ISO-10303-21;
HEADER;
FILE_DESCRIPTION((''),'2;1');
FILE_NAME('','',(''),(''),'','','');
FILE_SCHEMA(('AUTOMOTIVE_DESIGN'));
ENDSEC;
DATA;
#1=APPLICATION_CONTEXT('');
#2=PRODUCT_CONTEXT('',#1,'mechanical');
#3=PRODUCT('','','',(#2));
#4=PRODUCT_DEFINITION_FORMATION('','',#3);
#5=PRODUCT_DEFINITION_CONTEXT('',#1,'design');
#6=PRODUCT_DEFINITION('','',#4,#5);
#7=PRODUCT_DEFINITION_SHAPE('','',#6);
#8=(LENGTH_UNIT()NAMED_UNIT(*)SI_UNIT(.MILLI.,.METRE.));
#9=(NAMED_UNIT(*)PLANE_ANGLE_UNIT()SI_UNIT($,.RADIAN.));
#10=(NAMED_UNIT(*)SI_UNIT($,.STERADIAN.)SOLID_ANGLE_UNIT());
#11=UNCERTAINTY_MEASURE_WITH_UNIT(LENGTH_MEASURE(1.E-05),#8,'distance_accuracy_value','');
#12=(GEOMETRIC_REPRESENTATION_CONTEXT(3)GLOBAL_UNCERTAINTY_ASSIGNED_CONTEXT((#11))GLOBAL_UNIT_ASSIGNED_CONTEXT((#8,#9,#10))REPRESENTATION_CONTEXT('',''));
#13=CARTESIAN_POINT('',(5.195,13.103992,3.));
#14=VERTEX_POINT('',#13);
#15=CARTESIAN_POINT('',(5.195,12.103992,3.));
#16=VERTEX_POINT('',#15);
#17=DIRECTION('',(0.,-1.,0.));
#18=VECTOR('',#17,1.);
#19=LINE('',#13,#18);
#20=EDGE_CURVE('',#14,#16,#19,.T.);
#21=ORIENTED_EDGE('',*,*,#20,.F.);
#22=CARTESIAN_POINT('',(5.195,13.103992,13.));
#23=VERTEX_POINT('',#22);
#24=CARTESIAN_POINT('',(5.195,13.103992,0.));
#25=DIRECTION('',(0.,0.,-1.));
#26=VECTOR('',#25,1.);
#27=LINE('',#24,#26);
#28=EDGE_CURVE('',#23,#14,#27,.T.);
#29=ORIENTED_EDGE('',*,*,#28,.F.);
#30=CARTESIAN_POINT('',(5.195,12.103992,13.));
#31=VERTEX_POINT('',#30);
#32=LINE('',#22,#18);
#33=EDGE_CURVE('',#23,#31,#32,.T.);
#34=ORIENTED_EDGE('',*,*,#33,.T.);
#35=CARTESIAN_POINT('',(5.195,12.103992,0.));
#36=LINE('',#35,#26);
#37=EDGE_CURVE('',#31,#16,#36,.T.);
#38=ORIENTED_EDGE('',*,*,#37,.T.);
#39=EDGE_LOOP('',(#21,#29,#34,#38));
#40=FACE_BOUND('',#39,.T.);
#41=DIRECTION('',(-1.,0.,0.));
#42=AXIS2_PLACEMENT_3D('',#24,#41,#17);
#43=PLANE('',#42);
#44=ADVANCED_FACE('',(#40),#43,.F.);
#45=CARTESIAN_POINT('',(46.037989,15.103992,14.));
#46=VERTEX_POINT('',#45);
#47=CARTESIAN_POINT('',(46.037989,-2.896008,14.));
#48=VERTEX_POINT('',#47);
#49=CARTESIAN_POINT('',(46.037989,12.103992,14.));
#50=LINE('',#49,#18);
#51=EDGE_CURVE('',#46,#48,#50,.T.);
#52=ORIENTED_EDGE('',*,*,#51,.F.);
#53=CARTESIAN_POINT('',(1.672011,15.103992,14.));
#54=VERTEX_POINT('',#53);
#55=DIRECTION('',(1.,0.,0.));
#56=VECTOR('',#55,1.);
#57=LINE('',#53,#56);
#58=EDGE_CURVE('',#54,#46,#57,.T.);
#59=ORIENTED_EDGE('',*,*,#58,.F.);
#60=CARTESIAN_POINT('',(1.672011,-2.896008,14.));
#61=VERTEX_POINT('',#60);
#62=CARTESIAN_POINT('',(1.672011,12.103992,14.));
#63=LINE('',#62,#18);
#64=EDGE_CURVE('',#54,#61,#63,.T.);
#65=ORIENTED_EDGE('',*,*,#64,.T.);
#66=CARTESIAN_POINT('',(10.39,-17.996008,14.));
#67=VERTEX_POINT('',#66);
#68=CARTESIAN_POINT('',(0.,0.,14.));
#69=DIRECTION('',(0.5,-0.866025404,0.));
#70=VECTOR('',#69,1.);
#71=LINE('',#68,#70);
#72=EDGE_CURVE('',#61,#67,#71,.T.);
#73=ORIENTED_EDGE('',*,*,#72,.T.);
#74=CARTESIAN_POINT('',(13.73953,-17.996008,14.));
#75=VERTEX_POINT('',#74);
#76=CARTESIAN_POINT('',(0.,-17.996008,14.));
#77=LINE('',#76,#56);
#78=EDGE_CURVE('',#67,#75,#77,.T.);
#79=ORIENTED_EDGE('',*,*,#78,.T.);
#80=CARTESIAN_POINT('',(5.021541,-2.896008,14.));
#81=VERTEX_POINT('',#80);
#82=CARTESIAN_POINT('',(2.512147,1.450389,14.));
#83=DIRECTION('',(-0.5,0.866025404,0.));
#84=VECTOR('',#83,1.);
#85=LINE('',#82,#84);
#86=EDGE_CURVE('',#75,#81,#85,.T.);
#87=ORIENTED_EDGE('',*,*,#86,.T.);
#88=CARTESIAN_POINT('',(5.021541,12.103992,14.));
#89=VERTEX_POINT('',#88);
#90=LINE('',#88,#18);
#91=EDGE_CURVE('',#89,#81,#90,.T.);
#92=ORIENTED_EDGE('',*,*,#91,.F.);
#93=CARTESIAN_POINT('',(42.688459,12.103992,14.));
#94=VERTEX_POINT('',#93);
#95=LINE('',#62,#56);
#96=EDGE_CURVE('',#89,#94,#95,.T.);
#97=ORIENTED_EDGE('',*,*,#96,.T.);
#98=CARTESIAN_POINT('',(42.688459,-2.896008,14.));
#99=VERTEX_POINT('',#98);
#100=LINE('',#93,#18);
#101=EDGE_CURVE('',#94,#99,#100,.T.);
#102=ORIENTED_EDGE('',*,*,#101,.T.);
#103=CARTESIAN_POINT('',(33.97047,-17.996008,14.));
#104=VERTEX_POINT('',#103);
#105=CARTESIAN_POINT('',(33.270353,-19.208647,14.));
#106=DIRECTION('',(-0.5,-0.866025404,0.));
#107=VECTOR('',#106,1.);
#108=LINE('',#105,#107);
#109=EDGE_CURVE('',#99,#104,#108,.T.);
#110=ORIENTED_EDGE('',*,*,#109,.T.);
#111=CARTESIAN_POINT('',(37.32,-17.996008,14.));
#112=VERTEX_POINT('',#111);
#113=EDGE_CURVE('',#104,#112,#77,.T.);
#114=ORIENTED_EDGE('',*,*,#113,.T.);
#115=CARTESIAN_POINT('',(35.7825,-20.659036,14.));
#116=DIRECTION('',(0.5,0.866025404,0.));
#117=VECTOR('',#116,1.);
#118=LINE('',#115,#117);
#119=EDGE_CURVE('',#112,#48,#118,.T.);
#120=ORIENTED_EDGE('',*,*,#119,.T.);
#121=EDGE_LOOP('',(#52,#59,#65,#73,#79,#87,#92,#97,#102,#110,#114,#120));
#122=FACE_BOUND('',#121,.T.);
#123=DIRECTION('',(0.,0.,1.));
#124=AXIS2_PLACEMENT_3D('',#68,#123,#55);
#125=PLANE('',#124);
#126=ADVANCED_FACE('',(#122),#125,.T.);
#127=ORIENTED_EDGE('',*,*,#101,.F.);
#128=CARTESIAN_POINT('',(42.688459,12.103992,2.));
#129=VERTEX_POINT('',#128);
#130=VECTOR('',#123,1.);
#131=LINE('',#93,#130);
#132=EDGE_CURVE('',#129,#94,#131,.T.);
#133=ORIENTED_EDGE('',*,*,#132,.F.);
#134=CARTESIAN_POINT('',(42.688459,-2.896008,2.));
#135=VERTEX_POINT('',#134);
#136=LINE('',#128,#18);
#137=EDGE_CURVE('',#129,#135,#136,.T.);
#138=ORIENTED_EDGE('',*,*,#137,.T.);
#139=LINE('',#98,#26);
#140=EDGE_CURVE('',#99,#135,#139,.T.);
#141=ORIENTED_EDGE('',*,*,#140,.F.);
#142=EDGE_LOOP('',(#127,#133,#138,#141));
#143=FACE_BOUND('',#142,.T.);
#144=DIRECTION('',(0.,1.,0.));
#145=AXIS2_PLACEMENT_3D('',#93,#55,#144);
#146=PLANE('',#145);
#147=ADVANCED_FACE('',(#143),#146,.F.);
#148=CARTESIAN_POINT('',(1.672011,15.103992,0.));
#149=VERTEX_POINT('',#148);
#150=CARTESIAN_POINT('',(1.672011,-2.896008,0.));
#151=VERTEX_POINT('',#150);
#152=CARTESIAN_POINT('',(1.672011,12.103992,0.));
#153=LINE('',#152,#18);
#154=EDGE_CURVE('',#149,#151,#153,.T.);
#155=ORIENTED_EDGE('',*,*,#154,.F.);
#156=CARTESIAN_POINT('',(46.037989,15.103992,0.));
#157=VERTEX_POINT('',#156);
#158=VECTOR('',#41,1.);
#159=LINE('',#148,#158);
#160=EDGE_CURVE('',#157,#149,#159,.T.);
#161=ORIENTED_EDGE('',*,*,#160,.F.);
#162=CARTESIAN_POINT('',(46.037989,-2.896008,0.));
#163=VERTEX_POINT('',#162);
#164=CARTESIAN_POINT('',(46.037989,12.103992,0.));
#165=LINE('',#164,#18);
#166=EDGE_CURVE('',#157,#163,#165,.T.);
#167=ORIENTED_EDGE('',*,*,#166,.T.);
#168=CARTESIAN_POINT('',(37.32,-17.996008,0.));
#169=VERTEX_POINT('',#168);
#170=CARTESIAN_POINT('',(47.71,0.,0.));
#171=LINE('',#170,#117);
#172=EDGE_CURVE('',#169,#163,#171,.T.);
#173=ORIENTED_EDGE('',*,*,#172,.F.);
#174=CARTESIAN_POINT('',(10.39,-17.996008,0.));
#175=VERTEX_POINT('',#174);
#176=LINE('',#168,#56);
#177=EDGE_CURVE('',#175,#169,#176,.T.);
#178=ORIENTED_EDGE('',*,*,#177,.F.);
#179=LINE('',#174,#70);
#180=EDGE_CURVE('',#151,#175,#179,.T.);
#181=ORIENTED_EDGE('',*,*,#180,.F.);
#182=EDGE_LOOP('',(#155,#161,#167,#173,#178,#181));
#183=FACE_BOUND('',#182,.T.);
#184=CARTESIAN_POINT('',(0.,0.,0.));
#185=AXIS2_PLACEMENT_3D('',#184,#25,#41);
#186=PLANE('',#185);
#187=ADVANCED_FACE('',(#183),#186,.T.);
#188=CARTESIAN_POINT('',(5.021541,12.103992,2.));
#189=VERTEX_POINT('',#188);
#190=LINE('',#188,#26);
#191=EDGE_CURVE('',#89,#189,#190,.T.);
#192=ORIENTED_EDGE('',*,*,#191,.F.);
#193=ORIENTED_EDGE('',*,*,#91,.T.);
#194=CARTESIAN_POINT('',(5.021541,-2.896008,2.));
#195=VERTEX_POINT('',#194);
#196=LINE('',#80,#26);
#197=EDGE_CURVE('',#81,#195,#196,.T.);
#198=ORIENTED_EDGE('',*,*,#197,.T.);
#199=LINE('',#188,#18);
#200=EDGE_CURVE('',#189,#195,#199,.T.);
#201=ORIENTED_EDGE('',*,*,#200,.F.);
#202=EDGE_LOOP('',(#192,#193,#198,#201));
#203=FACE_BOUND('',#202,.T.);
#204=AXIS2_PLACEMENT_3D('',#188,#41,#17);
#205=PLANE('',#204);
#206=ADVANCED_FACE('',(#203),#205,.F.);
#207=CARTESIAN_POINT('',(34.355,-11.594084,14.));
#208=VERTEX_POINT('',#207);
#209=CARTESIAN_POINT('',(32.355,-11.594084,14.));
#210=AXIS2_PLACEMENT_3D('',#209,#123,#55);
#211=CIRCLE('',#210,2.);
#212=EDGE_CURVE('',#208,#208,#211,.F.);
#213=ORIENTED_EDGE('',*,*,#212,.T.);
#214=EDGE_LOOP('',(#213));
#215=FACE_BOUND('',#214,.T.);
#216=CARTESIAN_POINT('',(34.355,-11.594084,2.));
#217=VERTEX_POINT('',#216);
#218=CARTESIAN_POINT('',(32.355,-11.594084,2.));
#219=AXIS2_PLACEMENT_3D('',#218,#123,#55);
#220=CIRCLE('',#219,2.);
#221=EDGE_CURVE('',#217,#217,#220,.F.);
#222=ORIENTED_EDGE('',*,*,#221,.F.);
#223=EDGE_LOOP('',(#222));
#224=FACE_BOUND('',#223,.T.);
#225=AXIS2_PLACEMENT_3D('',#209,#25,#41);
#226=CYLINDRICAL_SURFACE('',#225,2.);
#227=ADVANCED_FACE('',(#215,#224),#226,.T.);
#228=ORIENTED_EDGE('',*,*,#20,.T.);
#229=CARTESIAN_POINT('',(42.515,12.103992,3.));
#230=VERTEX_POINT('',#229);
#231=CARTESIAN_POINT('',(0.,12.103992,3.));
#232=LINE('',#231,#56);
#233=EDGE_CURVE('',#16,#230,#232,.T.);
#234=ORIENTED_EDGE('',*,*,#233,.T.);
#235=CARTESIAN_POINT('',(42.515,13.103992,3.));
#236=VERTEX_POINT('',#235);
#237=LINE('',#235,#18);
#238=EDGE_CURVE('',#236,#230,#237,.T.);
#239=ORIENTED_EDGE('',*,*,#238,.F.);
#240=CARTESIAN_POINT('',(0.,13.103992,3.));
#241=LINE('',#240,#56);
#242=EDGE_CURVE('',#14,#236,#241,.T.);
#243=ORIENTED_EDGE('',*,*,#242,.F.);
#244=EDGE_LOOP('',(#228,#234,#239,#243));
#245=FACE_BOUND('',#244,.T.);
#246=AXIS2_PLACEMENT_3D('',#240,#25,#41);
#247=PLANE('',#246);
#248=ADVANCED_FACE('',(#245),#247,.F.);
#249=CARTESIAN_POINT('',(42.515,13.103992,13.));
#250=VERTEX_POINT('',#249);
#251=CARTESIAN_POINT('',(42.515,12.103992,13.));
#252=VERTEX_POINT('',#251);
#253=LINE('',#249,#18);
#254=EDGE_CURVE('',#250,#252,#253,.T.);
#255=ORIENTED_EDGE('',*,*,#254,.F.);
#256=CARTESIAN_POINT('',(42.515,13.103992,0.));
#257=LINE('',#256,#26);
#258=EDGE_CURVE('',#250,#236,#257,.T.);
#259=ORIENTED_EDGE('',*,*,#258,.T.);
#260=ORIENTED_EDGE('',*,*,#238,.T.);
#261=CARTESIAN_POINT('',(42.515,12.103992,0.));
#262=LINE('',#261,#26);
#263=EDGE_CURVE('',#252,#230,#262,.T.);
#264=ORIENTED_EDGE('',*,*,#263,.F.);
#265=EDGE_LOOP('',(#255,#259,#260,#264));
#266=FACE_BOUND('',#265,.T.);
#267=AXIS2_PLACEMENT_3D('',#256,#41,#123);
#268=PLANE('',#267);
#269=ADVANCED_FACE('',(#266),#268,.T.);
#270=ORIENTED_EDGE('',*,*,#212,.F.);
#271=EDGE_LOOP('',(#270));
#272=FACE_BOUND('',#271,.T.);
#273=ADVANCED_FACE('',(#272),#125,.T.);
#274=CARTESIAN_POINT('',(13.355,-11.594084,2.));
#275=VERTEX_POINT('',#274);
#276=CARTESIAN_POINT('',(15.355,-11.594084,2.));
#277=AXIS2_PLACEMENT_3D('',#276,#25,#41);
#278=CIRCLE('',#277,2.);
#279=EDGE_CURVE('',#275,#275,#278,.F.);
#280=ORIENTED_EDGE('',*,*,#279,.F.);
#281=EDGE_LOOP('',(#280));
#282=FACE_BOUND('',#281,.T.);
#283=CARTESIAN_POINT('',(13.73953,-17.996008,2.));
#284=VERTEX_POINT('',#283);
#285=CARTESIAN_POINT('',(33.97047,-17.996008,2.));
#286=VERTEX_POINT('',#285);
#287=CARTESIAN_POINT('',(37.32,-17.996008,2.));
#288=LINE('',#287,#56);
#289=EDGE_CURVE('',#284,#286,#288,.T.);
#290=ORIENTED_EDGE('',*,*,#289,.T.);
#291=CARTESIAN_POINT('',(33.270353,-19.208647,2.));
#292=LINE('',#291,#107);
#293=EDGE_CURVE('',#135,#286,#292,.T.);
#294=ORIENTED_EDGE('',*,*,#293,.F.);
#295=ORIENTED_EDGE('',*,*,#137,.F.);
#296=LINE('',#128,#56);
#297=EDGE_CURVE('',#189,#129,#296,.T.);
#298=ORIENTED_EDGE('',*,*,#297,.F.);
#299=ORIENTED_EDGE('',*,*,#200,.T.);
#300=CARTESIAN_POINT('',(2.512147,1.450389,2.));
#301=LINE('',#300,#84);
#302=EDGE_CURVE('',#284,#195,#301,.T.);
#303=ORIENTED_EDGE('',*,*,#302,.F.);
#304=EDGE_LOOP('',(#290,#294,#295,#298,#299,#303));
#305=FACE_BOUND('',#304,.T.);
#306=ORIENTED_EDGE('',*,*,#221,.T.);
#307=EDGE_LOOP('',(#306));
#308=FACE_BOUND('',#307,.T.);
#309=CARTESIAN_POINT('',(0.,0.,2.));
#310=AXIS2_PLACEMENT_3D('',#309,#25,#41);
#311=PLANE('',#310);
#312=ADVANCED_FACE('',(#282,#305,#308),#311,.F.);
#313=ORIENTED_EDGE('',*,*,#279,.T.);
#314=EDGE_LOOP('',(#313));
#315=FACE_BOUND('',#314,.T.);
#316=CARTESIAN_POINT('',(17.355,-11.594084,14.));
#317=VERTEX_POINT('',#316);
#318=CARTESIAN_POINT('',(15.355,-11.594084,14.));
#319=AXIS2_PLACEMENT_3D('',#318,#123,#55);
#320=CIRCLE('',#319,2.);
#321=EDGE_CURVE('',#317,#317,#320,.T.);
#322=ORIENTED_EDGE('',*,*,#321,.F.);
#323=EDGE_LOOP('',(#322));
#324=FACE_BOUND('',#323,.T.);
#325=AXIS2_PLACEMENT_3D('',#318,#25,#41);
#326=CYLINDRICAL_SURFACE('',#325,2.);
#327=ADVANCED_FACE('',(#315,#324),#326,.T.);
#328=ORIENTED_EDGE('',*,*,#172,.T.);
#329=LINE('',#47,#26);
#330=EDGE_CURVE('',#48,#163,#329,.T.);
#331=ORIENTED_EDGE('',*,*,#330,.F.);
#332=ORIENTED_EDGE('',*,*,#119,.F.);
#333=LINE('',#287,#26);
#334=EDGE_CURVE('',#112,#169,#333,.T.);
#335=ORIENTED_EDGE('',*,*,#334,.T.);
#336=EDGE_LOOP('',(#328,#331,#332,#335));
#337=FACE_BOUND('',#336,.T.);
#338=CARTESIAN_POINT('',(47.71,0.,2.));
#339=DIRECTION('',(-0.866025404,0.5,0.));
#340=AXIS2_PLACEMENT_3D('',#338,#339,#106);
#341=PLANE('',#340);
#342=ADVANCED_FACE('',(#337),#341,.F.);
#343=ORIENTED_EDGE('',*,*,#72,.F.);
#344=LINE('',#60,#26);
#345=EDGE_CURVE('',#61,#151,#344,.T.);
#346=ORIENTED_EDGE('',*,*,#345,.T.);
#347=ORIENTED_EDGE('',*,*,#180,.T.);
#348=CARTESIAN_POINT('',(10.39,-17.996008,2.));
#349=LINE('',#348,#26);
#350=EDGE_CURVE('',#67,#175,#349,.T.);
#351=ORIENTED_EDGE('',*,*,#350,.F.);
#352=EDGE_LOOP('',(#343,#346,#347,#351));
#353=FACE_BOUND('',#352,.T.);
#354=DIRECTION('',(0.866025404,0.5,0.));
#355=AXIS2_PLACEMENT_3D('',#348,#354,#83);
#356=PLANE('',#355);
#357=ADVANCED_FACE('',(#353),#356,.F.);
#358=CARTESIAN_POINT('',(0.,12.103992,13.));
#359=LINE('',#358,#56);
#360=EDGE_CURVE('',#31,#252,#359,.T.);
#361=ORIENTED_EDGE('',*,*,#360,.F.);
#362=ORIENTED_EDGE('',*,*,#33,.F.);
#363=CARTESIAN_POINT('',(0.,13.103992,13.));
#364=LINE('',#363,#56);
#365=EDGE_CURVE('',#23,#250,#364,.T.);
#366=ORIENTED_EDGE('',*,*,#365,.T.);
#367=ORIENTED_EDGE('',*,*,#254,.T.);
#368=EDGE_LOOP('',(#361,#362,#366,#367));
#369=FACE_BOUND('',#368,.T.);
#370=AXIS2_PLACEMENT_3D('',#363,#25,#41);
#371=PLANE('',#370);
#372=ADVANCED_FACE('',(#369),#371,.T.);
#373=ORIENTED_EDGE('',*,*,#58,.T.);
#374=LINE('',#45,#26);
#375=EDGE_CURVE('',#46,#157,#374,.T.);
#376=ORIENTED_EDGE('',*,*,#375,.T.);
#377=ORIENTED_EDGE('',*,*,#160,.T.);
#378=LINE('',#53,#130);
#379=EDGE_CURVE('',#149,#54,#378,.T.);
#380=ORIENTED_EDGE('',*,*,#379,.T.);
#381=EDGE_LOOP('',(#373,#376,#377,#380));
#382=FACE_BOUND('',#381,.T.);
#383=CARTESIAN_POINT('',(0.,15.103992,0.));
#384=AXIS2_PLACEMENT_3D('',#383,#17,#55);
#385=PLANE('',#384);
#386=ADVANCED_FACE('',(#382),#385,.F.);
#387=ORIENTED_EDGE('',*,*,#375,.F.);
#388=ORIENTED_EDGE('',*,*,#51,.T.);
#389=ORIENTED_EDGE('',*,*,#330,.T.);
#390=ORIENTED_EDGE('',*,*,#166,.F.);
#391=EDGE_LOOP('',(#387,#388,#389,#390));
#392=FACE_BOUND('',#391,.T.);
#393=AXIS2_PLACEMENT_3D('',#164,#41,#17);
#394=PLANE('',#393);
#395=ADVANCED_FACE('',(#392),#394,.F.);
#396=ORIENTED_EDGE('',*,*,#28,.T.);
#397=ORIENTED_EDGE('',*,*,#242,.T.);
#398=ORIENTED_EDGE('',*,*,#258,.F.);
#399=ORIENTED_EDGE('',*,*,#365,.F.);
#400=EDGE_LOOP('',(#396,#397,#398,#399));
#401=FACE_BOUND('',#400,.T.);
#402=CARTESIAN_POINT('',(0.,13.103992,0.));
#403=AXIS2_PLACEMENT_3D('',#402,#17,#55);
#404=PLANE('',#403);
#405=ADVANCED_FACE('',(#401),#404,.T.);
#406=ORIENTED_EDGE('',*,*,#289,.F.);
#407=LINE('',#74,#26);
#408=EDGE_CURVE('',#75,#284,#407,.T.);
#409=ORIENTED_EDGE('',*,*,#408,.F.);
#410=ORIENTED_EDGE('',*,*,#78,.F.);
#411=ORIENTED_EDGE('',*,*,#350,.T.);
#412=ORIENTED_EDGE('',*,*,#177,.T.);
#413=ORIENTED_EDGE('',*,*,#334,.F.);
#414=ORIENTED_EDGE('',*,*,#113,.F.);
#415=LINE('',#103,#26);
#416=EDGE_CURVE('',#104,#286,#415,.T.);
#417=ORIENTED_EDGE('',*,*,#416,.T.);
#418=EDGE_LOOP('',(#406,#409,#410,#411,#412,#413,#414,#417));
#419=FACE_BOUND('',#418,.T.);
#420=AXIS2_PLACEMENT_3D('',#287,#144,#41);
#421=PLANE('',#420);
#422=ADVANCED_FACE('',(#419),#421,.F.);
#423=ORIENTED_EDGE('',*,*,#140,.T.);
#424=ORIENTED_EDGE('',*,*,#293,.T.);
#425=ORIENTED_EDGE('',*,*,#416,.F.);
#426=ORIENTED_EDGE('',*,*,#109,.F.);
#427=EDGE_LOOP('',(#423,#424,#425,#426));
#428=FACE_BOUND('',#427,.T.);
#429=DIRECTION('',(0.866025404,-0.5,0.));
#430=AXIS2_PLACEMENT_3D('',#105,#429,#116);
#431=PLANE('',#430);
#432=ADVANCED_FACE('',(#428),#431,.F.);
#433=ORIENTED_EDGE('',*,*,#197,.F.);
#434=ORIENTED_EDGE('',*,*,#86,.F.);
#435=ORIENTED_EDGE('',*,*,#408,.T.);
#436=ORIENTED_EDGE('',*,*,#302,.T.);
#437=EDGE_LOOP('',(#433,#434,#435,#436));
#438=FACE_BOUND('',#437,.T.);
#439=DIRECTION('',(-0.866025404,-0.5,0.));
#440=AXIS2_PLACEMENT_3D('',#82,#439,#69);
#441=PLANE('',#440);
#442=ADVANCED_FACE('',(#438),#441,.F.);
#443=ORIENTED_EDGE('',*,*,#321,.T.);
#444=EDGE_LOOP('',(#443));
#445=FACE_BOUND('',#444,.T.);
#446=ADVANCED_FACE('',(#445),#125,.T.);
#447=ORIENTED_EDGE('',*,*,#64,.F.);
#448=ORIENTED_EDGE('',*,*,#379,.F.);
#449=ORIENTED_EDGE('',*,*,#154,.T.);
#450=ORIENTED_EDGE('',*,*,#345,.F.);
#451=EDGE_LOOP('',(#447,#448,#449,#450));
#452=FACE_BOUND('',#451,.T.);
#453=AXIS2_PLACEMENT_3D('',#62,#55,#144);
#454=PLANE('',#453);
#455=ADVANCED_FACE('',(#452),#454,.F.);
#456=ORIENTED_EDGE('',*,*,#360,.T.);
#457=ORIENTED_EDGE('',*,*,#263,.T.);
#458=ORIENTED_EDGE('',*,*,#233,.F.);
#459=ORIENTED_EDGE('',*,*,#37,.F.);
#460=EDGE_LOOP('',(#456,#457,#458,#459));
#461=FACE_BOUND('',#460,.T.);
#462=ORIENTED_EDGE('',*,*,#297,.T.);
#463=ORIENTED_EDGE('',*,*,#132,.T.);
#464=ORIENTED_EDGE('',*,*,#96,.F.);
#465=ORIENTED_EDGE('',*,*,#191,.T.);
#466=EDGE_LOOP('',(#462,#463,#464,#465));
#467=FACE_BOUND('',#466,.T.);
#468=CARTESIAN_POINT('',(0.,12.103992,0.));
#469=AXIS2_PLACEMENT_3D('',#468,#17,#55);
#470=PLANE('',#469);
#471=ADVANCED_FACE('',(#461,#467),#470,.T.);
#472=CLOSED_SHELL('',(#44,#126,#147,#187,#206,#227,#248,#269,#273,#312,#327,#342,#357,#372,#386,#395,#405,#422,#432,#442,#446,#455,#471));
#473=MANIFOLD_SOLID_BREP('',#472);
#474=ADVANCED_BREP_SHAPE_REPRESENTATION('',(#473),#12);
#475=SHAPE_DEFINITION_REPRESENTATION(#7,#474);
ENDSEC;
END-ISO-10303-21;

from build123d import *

# Parameters (mm, degrees)
EXTRUDE_1_DEPTH     = 2
EXTRUDE_5_DEPTH     = 12
SKETCH_3_R          = 2
EXTRUDE_6_DEPTH     = 12
CUT_EXTRUDE_1_DEPTH = 12
EXTRUDE_7_DEPTH     = 15
SKETCH_7_W          = 44.36597813
SKETCH_7_H          = 14
EXTRUDE_8_DEPTH     = 3
SKETCH_9_W          = 18.66
SKETCH_9_H          = 10
CUT_EXTRUDE_3_DEPTH = 1


with BuildPart() as part:
    # 스케치2 → 보스-돌출1 (new body)
    with BuildSketch(Plane.XY):
        Polygon((0, 0), (47.71, 0), (37.32, -17.996007891), (10.39, -17.996007891), align=None)
    extrude(amount=EXTRUDE_1_DEPTH)

    # 스케치4 → 보스-돌출5 (add)
    with BuildSketch(Plane.XY.offset(2)):
        Polygon((13.739529946, -17.996007891), (5.021540881, -2.896007891), (1.672010935, -2.896007891), (10.39, -17.996007891), align=None)
        Polygon((46.037989065, -2.896007891), (42.688459119, -2.896007891), (33.970470054, -17.996007891), (37.32, -17.996007891), align=None)
    extrude(amount=EXTRUDE_5_DEPTH)

    # 스케치3 → 보스-돌출6 (add)
    with BuildSketch(Plane.XY.offset(2)):
        with Locations(Location((15.355, -11.594084102, 0), (0, 0, 180))):
            Circle(SKETCH_3_R)
        with Locations((32.355, -11.594084102)):
            Circle(SKETCH_3_R)
    extrude(amount=EXTRUDE_6_DEPTH)

    # 스케치5 → 컷-돌출1 (cut)
    with BuildSketch(Plane.XY.offset(2)):
        Polygon((0, 0), (47.71, 0), (46.037989065, -2.896007891), (1.672010935, -2.896007891), align=None)
    extrude(amount=-CUT_EXTRUDE_1_DEPTH, mode=Mode.SUBTRACT)

    # 스케치6 → 보스-돌출7 (add)
    with BuildSketch(Plane(origin=(0, -2.896007891, 0), x_dir=(1, 0, 0), z_dir=(0, 1, 0))):
        Polygon((5.021540881, -14), (1.672010935, -14), (1.672010935, 0), (46.037989065, 0), (46.037989065, -14), (42.688459119, -14), (42.688459119, -2), (5.021540881, -2), align=None)
    extrude(amount=EXTRUDE_7_DEPTH)

    # 스케치7 → 보스-돌출8 (add)
    with BuildSketch(Plane(origin=(0, 12.103992109, 0), x_dir=(1, 0, 0), z_dir=(0, 1, 0))):
        with Locations((23.855, -7)):
            Rectangle(SKETCH_7_W, SKETCH_7_H)
    extrude(amount=EXTRUDE_8_DEPTH)

    # 스케치9 → 컷-돌출3 (cut)
    with BuildSketch(Plane.XZ.offset(-12.103992109)):
        with Locations((14.525, 8)):
            Rectangle(SKETCH_9_W, SKETCH_9_H)
        with Locations((33.185, 8)):
            Rectangle(SKETCH_9_W, SKETCH_9_H)
    extrude(amount=-CUT_EXTRUDE_3_DEPTH, mode=Mode.SUBTRACT)


solid = part.part
